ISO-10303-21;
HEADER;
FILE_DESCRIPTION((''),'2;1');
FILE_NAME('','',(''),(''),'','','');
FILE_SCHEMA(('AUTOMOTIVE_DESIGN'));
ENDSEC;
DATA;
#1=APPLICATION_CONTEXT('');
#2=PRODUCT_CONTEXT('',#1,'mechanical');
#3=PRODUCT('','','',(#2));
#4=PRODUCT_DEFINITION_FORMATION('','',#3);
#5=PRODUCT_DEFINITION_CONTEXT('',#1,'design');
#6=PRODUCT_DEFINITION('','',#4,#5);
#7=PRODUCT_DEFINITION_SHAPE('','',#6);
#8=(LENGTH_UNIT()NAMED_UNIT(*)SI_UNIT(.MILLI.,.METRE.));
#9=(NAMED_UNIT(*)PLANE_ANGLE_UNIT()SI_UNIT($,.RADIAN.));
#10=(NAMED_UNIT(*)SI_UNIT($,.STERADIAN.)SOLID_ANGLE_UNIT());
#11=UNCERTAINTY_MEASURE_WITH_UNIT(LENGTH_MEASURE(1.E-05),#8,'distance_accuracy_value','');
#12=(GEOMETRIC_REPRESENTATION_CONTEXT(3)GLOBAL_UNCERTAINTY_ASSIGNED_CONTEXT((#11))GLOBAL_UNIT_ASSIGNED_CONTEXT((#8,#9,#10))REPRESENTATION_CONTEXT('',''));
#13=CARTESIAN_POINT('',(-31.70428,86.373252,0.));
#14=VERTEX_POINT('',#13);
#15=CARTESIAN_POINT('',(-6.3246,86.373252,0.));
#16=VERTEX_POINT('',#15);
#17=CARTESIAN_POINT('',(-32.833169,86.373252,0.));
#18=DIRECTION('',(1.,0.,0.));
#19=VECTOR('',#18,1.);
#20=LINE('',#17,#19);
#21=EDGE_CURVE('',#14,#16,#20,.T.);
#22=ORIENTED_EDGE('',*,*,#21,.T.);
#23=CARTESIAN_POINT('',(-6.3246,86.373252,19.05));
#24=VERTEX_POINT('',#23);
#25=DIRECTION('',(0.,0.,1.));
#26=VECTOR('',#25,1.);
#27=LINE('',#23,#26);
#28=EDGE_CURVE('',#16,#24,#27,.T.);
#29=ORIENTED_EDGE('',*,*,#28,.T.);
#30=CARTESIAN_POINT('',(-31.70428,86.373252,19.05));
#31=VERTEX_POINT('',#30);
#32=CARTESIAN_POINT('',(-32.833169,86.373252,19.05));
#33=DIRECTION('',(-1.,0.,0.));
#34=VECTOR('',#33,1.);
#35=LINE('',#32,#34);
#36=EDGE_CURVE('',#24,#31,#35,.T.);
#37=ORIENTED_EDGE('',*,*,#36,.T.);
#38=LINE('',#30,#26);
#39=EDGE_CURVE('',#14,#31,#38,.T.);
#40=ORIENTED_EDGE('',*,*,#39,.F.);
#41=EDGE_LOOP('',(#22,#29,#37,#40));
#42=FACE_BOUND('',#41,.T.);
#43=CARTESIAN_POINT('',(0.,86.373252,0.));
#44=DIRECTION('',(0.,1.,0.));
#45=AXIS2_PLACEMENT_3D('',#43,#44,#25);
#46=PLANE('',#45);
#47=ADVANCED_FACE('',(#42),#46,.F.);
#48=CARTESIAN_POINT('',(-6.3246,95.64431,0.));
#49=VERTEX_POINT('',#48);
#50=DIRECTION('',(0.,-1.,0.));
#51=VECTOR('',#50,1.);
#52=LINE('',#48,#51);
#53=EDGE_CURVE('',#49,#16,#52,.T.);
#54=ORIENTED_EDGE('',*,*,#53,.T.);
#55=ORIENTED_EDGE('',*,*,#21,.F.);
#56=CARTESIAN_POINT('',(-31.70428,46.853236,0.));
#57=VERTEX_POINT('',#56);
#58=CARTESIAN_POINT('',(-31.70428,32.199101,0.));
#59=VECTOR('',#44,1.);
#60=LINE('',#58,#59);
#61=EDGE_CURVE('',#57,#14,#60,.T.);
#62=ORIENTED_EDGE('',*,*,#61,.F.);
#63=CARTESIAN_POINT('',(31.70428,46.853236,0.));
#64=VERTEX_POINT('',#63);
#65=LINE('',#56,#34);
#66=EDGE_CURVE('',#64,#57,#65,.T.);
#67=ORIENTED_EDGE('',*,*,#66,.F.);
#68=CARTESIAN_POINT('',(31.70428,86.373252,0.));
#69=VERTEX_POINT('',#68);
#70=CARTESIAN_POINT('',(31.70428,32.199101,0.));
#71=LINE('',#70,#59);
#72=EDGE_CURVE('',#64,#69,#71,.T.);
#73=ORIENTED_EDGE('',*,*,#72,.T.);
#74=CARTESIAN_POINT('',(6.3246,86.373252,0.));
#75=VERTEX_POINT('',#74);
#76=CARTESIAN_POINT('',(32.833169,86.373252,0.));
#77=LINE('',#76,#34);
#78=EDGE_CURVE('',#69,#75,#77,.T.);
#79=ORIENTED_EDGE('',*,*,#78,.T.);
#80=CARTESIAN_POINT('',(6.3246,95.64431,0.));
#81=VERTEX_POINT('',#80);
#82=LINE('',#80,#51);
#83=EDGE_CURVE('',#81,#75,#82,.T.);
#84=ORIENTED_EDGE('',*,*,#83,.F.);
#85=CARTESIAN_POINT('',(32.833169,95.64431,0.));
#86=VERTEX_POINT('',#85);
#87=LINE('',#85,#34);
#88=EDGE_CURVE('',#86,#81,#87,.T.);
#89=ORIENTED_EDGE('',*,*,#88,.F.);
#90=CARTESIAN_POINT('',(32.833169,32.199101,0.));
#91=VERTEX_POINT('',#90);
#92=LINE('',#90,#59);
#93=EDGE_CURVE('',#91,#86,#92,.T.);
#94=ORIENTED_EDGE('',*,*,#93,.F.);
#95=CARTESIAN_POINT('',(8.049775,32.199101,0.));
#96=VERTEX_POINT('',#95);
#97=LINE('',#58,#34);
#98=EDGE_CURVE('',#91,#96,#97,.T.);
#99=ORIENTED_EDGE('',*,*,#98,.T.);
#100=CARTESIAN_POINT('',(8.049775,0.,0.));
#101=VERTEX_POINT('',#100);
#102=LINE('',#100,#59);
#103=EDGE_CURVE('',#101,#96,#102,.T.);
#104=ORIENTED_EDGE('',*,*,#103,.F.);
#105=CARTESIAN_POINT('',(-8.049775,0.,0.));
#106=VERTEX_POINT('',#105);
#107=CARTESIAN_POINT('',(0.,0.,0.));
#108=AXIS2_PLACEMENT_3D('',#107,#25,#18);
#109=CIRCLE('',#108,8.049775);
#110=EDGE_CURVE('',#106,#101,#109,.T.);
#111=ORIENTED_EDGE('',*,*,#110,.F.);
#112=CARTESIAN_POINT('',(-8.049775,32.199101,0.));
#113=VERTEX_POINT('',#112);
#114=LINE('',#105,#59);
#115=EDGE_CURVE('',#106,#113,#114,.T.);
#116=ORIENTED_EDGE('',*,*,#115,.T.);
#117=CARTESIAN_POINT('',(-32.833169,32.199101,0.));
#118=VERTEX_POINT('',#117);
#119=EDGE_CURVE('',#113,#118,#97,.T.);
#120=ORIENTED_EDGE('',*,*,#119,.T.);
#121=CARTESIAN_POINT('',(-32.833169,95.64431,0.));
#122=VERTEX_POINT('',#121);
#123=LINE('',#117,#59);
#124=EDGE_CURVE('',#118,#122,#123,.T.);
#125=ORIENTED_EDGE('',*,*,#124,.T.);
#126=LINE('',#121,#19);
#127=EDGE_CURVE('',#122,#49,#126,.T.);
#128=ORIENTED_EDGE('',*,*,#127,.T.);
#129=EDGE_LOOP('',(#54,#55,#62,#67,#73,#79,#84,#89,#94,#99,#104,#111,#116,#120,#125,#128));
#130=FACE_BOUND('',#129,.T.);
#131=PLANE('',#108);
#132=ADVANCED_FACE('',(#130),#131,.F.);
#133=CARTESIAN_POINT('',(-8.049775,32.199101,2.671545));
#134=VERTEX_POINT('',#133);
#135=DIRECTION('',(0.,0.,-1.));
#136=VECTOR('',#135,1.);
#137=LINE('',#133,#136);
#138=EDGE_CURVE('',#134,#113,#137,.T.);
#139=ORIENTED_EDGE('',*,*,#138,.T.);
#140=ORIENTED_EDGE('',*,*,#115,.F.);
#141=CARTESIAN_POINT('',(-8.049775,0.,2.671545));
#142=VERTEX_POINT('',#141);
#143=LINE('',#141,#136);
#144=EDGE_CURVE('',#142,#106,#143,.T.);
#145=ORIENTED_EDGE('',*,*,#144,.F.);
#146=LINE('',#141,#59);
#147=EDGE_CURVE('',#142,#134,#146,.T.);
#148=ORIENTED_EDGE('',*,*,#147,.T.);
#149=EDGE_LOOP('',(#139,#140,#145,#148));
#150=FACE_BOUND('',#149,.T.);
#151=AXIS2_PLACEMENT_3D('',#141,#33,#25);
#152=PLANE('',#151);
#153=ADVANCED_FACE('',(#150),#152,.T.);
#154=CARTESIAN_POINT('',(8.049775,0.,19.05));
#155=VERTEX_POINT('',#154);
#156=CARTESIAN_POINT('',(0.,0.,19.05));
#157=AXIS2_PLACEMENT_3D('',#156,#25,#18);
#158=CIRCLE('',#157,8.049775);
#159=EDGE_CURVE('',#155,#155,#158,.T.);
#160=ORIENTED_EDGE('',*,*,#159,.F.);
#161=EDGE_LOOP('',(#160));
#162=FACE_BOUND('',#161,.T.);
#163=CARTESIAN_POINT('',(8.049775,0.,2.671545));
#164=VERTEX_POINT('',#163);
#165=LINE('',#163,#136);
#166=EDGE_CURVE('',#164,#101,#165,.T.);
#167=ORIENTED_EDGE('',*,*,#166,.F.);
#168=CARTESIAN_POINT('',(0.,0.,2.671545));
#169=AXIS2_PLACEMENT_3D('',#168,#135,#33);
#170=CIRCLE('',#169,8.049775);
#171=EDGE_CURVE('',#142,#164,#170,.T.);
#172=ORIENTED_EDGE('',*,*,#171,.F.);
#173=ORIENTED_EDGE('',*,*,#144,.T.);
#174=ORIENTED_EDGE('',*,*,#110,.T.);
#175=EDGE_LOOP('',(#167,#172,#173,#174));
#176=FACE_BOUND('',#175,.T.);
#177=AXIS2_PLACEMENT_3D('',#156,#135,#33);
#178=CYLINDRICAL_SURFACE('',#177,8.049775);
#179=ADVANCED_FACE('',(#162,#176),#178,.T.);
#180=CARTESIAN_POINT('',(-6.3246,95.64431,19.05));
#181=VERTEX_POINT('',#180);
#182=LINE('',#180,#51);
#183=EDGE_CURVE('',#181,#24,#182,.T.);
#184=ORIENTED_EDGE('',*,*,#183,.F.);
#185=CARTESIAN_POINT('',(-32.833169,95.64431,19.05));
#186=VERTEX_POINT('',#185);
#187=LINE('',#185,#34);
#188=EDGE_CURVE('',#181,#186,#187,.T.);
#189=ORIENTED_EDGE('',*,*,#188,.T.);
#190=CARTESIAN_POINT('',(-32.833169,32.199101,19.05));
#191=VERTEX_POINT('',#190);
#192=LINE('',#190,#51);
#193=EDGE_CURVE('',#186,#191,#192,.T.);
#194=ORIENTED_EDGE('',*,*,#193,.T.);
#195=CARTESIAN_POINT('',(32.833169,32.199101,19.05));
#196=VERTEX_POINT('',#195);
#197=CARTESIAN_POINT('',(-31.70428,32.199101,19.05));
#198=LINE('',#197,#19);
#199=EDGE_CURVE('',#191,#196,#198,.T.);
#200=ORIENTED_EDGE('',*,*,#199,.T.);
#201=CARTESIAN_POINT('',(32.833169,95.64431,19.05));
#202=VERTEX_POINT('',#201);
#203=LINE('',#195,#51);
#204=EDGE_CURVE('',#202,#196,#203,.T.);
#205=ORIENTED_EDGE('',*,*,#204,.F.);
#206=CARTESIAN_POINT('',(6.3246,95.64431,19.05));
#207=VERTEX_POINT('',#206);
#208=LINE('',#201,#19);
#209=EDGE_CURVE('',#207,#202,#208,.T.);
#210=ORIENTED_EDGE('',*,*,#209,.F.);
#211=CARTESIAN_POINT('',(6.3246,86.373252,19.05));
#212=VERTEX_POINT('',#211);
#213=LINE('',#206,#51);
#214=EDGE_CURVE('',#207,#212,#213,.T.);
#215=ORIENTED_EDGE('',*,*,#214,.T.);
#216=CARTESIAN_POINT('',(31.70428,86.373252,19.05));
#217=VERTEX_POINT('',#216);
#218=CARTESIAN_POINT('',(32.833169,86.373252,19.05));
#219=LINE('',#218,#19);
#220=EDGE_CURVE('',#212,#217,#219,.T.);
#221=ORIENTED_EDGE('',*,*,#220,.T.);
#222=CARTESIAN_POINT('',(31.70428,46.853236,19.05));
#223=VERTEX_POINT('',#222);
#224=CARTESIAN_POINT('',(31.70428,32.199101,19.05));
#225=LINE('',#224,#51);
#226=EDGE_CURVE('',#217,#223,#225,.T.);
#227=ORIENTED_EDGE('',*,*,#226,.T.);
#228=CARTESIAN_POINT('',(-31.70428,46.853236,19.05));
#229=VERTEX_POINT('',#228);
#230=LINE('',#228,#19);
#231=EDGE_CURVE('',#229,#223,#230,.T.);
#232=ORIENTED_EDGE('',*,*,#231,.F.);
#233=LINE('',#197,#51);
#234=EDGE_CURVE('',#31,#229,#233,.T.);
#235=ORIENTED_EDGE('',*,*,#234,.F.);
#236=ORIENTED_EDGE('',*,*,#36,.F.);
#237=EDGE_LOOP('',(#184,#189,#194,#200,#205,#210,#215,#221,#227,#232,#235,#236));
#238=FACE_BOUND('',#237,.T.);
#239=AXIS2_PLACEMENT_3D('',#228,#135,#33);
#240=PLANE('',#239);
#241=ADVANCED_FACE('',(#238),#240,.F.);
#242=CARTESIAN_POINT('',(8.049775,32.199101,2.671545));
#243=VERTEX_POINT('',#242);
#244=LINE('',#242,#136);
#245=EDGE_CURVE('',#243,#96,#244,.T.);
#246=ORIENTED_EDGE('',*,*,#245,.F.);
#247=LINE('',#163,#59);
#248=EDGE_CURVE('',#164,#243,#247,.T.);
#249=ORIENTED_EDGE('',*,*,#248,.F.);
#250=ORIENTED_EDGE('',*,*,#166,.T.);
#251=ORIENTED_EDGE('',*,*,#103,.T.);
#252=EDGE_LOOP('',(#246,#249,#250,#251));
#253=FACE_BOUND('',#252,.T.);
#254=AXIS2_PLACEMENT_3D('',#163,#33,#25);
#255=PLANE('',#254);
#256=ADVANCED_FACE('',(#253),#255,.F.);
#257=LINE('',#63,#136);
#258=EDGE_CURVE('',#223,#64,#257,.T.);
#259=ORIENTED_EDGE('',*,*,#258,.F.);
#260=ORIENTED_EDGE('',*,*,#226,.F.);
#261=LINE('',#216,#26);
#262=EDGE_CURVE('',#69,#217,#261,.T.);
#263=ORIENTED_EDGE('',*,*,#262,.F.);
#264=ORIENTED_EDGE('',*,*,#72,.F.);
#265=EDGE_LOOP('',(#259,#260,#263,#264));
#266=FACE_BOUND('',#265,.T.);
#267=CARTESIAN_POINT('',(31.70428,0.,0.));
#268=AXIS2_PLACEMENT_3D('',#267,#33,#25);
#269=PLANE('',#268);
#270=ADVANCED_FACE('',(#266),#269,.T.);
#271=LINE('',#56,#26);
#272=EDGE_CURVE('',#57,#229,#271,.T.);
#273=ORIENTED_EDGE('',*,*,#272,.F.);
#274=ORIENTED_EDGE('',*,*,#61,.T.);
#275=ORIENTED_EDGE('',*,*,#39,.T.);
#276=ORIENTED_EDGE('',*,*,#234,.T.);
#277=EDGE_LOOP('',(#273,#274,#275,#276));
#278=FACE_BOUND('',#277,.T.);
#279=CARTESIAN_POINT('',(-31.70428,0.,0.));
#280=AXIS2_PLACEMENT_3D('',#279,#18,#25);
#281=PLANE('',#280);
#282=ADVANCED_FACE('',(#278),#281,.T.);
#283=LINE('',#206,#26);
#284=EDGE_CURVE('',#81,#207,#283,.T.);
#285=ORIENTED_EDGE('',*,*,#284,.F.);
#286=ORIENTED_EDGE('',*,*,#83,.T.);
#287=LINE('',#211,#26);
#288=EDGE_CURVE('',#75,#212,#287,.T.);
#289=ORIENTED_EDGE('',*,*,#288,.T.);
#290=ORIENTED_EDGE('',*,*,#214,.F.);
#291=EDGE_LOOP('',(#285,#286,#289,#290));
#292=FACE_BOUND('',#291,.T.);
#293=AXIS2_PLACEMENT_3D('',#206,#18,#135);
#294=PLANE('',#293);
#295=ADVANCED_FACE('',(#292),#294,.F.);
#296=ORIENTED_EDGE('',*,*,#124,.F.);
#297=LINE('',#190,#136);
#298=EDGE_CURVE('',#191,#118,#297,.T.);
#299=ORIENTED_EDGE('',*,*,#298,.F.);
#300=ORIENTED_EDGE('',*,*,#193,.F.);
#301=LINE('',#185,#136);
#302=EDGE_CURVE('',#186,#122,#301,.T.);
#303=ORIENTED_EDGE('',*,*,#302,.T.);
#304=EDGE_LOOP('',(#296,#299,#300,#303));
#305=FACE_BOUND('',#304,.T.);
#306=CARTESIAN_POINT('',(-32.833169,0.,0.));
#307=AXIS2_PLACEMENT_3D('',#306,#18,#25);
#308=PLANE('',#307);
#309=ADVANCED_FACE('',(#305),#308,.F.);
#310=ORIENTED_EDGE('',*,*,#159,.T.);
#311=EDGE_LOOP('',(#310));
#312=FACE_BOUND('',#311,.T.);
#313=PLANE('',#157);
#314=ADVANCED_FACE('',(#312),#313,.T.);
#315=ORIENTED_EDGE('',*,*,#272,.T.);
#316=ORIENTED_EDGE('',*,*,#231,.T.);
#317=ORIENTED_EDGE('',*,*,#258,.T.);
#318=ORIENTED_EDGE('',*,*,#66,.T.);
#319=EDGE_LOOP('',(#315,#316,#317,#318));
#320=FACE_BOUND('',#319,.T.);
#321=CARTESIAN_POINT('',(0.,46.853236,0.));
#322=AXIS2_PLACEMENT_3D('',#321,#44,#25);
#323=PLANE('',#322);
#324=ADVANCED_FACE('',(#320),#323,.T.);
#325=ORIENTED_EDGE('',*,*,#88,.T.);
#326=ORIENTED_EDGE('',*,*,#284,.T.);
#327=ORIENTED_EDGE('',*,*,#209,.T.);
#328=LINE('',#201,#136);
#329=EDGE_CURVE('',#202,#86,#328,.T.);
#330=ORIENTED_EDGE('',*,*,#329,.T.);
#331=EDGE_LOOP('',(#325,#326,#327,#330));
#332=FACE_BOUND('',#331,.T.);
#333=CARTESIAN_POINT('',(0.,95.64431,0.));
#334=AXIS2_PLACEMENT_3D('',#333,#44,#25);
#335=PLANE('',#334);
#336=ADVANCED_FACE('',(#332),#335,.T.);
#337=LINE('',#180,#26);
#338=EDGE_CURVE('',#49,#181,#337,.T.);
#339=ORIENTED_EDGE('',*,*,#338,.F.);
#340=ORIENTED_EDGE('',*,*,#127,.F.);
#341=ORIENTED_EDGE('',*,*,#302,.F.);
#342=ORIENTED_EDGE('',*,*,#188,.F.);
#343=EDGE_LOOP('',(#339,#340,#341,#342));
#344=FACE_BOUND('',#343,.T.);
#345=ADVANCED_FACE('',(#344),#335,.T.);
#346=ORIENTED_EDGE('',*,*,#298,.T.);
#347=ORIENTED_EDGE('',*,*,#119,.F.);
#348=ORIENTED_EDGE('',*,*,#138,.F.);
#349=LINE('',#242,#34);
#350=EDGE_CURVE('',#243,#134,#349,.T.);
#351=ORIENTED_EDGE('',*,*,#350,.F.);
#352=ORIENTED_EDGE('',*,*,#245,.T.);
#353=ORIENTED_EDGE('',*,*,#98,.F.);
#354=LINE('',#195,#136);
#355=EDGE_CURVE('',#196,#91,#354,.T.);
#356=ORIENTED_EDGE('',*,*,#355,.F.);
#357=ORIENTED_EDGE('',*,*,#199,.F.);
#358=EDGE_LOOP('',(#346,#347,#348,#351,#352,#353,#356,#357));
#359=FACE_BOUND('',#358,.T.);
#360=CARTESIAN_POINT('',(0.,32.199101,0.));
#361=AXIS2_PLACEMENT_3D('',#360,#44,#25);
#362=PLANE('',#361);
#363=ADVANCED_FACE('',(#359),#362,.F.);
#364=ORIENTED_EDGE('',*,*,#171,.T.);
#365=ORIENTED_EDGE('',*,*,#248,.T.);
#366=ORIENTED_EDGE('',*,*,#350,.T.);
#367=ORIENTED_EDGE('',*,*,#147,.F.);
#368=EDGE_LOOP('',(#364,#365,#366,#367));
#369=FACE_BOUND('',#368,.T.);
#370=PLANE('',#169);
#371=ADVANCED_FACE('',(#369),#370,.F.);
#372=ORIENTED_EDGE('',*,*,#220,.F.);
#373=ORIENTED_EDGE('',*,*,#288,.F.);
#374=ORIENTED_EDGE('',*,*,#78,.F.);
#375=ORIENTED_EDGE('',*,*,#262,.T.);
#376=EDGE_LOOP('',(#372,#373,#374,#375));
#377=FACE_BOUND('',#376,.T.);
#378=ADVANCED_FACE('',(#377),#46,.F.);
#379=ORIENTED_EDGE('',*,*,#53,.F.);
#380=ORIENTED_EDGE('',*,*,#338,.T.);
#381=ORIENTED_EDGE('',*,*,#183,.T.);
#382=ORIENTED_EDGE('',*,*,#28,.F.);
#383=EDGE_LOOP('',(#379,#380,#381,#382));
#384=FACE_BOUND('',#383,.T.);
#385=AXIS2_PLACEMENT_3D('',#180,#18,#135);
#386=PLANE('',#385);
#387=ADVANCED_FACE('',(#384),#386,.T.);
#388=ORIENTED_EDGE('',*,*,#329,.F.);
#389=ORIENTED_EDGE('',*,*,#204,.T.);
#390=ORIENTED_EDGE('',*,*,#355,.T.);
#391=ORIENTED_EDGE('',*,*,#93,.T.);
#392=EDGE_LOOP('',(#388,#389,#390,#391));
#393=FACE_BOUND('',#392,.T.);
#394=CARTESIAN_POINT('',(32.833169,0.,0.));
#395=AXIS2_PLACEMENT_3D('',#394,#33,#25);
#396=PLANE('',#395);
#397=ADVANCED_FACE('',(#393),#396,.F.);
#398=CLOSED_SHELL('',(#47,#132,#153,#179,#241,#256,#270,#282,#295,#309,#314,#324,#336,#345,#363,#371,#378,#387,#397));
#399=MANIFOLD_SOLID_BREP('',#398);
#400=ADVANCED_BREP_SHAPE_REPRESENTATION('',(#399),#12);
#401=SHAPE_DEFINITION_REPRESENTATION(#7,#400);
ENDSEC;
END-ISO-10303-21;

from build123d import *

# Parameters (mm, degrees)
SKETCH2_R           = 8.049775325
BOSS_EXTRUDE1_DEPTH = 19.05
SKETCH3_W           = 16.09955065
SKETCH3_H           = 32.199101299
BOSS_EXTRUDE2_DEPTH = 2.671544542
SKETCH4_W           = 63.40856
SKETCH4_H           = 19.05
BOSS_EXTRUDE3_DEPTH = 14.654134452
SKETCH5_W           = 19.05
SKETCH5_H           = 54.17415065
BOSS_EXTRUDE4_DEPTH = 1.128888889
SKETCH6_W           = 26.508568889
SKETCH6_H           = 19.05
BOSS_EXTRUDE5_DEPTH = 9.271057991


with BuildPart() as part:
    # Sketch2 → Boss-Extrude1 (new body)
    with BuildSketch(Plane.XY):
        with Locations(Location((0, 0, 0), (0, 0, 180))):
            Circle(SKETCH2_R)
    extrude(amount=BOSS_EXTRUDE1_DEPTH)

    # Sketch3 → Boss-Extrude2 (add)
    with BuildSketch(Plane(origin=(0, 0, 0), x_dir=(-1, 0, 0), z_dir=(0, 0, -1))):
        with Locations((0, 16.099550649)):
            Rectangle(SKETCH3_W, SKETCH3_H)
    extrude(amount=-BOSS_EXTRUDE2_DEPTH)

    # Sketch4 → Boss-Extrude3 (add)
    with BuildSketch(Plane(origin=(0, 32.199101299, 0), x_dir=(1, 0, 0), z_dir=(0, 1, 0))):
        with Locations((0, -9.525)):
            Rectangle(SKETCH4_W, SKETCH4_H)
    extrude(amount=BOSS_EXTRUDE3_DEPTH)

    # Sketch5 → Boss-Extrude4 (add)
    with BuildSketch(Plane(origin=(31.70428, 0, 0), x_dir=(0, 0, -1), z_dir=(1, 0, 0))):
        with Locations((-9.525, 59.286176624)):
            Rectangle(SKETCH5_W, SKETCH5_H)
    boss_extrude4 = extrude(amount=BOSS_EXTRUDE4_DEPTH)

    # Mirror1: Boss-Extrude4 across plane
    add(boss_extrude4.mirror(Plane(origin=(0, 0, 0), x_dir=(0, 0, 1), z_dir=(1, 0, 0))))

    # Sketch6 → Boss-Extrude5 (add)
    with BuildSketch(Plane(origin=(0, 86.373251949, 0), x_dir=(1, 0, 0), z_dir=(0, 1, 0))):
        with Locations((19.578884444, -9.525)):
            Rectangle(SKETCH6_W, SKETCH6_H)
    boss_extrude5 = extrude(amount=BOSS_EXTRUDE5_DEPTH)

    # Mirror2: Boss-Extrude4, Boss-Extrude5 across plane
    add(boss_extrude4.mirror(Plane(origin=(0, 0, 0), x_dir=(0, 0, 1), z_dir=(1, 0, 0))))
    add(boss_extrude5.mirror(Plane(origin=(0, 0, 0), x_dir=(0, 0, 1), z_dir=(1, 0, 0))))


solid = part.part
